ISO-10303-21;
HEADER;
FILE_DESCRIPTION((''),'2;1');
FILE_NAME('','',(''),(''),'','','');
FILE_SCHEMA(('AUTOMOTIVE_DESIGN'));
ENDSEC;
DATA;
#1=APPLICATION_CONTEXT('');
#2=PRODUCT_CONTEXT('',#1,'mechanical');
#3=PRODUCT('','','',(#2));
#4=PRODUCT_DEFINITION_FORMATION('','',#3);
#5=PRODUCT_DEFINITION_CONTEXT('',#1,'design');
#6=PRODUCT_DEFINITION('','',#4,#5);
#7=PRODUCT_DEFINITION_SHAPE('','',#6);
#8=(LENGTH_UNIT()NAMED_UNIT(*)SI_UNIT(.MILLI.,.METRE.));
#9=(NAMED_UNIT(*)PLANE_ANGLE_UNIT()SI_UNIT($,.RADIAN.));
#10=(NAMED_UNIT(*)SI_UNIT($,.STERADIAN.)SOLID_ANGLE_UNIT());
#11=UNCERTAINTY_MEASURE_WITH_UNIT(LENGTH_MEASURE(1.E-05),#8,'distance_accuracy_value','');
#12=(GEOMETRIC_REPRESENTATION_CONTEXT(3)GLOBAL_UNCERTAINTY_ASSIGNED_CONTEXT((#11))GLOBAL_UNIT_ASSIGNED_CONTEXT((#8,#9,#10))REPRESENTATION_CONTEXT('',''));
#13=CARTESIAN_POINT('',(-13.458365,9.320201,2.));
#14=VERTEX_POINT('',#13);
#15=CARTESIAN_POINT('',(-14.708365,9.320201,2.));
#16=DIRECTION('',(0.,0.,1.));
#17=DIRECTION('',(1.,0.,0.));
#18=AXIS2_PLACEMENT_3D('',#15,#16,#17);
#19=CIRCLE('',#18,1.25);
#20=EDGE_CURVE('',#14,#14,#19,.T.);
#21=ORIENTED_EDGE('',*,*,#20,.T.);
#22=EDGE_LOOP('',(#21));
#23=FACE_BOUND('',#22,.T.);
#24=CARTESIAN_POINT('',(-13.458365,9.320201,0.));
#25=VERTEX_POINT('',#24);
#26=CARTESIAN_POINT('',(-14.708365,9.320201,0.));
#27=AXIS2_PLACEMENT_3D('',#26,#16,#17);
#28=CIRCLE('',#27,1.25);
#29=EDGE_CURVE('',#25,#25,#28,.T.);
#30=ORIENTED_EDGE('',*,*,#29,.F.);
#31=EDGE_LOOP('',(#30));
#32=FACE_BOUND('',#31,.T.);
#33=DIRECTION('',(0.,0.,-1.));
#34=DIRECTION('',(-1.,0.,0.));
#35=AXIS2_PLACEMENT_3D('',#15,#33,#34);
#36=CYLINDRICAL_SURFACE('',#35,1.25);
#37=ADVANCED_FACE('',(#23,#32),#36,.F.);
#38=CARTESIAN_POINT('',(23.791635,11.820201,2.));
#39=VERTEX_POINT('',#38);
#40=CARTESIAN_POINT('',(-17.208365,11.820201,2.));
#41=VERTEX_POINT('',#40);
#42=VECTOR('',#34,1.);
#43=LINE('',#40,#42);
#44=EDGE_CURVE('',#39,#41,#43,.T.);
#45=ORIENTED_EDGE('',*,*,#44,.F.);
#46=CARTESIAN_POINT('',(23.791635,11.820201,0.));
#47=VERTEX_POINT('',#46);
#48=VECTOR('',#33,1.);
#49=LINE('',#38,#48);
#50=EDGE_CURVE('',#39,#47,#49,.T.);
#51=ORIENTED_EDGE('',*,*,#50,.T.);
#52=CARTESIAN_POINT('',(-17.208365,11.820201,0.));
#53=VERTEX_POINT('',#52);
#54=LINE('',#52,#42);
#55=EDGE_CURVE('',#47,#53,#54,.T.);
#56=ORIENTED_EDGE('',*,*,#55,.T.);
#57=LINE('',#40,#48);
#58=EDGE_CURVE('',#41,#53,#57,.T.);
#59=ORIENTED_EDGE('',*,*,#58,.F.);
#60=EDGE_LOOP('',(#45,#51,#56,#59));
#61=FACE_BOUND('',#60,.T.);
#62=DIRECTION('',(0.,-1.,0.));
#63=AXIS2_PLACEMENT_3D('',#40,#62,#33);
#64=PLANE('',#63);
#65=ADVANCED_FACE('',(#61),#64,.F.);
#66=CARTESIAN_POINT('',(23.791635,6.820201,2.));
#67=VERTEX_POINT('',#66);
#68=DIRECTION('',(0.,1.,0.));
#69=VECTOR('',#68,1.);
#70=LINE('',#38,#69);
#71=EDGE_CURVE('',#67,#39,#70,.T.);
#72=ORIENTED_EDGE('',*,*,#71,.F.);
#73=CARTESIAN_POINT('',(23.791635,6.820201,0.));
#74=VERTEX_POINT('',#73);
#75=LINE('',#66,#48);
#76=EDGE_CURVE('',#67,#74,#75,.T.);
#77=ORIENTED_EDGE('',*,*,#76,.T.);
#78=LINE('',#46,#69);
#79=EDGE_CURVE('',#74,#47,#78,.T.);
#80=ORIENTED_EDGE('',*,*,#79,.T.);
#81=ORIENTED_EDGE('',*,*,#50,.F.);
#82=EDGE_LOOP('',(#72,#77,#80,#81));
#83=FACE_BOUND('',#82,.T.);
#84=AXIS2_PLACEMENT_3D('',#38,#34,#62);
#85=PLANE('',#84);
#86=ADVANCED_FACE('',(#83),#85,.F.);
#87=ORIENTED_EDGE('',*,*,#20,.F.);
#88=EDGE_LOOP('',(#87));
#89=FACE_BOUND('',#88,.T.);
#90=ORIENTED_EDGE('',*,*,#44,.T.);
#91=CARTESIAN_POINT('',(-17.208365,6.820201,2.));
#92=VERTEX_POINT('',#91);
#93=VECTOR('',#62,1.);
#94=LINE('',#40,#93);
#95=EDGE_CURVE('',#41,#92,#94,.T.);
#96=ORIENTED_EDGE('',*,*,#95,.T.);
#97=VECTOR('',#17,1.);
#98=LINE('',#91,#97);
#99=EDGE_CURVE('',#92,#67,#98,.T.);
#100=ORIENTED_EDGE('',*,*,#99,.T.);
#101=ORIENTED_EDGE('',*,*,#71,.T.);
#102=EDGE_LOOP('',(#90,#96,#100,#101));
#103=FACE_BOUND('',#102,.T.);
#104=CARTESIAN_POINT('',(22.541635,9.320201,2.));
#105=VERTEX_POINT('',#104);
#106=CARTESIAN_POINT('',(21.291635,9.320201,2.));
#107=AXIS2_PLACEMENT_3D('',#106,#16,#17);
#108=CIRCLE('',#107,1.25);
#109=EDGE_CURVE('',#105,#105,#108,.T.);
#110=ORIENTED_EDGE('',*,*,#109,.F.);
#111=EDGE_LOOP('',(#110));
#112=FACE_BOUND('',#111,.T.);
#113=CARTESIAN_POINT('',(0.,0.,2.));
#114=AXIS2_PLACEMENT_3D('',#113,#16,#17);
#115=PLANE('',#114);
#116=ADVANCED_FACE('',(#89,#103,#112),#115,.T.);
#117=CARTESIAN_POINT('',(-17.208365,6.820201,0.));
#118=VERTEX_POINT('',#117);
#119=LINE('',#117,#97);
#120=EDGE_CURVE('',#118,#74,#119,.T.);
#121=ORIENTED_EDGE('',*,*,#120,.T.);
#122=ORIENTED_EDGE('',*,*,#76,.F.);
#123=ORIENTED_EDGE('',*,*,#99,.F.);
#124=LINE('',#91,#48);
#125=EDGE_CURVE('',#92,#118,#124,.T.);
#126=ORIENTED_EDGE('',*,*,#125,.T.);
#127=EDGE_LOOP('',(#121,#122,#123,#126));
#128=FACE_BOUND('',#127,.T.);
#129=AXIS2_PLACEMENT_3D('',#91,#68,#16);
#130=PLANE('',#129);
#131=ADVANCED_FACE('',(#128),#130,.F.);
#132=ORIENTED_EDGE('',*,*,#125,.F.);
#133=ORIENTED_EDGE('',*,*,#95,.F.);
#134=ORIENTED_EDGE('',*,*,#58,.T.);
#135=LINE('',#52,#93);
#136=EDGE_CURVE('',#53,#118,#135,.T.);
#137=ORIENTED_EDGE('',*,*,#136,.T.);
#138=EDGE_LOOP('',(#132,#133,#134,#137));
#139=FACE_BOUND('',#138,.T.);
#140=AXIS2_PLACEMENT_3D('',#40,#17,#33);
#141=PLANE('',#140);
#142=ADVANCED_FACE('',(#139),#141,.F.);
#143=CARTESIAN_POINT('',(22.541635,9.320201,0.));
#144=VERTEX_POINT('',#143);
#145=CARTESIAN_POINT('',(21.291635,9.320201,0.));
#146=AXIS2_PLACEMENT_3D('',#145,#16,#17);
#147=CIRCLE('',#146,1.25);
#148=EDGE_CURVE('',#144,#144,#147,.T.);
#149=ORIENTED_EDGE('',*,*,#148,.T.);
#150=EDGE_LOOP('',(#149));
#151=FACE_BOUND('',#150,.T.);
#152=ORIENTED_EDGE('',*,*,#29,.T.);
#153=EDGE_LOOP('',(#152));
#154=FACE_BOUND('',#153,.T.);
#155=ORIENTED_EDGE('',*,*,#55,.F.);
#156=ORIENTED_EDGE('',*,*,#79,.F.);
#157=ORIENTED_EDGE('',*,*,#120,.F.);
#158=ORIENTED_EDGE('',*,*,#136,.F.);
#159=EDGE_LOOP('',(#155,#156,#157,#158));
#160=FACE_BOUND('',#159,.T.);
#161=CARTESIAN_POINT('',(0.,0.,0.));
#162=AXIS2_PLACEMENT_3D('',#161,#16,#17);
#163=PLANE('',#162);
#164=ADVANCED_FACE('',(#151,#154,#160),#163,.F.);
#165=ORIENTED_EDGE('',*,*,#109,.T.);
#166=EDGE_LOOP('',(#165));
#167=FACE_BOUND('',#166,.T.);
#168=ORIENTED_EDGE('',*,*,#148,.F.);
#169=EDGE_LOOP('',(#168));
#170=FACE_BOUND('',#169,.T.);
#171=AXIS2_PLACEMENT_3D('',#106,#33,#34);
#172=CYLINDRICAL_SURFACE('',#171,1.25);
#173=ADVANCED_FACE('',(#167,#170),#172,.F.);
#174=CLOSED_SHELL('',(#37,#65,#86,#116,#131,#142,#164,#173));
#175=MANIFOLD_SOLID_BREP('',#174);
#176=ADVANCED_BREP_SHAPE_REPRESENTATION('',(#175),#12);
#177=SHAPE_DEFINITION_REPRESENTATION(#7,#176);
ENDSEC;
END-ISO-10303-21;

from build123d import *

# Parameters (mm, degrees)
SKETCH_1_W      = 41
SKETCH_1_H      = 5
SKETCH_1_R      = 1.25
EXTRUDE_1_DEPTH = 2


with BuildPart() as part:
    # 草圖1 → 填料-伸長1 (new body)
    with BuildSketch(Plane.XY):
        with Locations((3.291635048, 9.320201418)):
            Rectangle(SKETCH_1_W, SKETCH_1_H)
        with Locations((-14.708364952, 9.320201418)):
            Circle(SKETCH_1_R, mode=Mode.SUBTRACT)
        with Locations((21.291635048, 9.320201418)):
            Circle(SKETCH_1_R, mode=Mode.SUBTRACT)
    extrude(amount=EXTRUDE_1_DEPTH)


solid = part.part
